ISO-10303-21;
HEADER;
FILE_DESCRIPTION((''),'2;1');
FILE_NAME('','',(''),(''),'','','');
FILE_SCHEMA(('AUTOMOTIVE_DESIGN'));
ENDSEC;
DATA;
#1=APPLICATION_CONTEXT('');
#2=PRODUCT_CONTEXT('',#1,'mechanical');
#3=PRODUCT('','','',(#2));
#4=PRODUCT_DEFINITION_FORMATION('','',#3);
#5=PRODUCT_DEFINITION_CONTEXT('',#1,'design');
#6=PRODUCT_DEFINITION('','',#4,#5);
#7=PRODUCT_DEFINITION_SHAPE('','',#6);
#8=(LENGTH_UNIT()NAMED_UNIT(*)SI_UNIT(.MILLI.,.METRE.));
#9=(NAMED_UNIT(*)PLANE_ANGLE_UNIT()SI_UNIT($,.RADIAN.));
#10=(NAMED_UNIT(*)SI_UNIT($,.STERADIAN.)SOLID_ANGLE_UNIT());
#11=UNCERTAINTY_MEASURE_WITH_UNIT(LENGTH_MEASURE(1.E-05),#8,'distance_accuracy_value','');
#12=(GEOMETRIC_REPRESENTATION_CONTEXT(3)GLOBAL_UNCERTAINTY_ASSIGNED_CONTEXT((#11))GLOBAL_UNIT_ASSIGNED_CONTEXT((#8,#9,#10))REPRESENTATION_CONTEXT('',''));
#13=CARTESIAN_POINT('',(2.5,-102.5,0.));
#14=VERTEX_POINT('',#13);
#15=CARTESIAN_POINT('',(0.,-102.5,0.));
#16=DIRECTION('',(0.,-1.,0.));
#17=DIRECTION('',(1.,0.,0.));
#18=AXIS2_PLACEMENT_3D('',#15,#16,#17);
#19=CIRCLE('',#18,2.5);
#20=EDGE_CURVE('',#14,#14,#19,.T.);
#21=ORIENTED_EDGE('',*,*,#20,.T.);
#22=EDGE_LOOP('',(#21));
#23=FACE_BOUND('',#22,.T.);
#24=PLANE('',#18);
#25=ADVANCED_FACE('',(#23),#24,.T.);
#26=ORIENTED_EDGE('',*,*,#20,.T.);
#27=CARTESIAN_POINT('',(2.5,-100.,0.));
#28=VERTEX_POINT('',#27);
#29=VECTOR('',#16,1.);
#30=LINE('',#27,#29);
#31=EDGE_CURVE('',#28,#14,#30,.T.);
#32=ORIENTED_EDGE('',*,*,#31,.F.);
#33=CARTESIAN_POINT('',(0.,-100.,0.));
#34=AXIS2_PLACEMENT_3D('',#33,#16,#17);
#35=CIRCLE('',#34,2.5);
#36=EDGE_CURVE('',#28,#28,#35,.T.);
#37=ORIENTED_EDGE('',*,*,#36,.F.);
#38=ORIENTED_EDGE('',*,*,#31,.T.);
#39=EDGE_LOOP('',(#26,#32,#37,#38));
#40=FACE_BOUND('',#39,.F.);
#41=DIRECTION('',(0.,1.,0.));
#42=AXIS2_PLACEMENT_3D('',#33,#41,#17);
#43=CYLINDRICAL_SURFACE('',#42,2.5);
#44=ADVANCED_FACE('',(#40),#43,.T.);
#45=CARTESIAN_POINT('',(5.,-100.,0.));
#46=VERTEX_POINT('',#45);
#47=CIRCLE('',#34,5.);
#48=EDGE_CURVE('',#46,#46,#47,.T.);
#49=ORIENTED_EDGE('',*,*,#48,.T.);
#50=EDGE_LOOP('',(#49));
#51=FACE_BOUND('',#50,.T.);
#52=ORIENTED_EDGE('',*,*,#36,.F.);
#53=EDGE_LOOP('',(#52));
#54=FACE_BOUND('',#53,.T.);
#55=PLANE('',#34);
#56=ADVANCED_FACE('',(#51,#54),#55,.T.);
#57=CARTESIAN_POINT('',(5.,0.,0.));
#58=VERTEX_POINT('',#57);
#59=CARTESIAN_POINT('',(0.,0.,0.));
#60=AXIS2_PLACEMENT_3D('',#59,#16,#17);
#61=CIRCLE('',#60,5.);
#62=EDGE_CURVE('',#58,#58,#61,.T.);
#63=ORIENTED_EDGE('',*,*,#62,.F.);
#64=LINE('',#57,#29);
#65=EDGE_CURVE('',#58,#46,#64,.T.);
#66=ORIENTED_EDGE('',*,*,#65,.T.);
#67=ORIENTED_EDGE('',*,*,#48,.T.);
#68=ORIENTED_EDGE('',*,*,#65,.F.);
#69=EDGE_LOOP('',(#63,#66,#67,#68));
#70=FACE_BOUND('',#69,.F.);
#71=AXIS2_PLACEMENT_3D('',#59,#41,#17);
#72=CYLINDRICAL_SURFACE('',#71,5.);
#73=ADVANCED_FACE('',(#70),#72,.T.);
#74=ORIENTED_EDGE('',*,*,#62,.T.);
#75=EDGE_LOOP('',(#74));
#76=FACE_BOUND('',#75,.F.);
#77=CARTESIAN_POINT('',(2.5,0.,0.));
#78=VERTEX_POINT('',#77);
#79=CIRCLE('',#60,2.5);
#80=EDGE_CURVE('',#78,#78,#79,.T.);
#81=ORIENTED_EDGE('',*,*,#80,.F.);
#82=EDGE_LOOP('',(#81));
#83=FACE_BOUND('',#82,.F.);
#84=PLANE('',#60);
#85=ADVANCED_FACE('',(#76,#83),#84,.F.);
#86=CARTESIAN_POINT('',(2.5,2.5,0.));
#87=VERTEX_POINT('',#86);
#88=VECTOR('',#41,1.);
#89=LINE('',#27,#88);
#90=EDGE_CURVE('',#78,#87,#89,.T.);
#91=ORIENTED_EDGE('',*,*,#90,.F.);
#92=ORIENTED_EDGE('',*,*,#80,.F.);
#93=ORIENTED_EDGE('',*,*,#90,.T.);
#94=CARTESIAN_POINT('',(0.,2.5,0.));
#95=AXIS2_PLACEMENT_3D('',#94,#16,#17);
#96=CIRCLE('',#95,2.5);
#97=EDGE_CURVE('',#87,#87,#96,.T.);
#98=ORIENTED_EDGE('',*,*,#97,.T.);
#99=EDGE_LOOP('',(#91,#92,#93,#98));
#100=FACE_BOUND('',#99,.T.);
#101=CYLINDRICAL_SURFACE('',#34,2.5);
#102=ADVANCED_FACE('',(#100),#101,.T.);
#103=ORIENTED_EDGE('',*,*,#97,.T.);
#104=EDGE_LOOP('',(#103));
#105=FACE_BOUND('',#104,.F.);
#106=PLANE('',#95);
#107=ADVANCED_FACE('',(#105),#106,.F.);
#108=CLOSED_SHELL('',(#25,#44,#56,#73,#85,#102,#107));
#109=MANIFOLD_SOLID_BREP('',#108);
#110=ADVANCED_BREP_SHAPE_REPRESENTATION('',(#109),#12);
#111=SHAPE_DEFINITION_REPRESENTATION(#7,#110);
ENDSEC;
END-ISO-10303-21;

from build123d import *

# Parameters (mm, degrees)
F0_R          = 5
F1_DEPTH      = 100
F2_R          = 2.5
F3_DEPTH      = 2.5
F3_DEPTH_BACK = 102.5


with BuildPart() as f1:
    # F0 (on Front) → F1 (new body)
    with BuildSketch(Plane.XZ):
        Circle(F0_R)
    extrude(amount=F1_DEPTH)

    # F2 (on face) → F3 (join, two sides)
    with BuildSketch(Plane.XZ.offset(100)) as f3_sk:
        Circle(F2_R)
    extrude(amount=F3_DEPTH)
    extrude(f3_sk.sketch, amount=-F3_DEPTH_BACK)


solid = f1.part
